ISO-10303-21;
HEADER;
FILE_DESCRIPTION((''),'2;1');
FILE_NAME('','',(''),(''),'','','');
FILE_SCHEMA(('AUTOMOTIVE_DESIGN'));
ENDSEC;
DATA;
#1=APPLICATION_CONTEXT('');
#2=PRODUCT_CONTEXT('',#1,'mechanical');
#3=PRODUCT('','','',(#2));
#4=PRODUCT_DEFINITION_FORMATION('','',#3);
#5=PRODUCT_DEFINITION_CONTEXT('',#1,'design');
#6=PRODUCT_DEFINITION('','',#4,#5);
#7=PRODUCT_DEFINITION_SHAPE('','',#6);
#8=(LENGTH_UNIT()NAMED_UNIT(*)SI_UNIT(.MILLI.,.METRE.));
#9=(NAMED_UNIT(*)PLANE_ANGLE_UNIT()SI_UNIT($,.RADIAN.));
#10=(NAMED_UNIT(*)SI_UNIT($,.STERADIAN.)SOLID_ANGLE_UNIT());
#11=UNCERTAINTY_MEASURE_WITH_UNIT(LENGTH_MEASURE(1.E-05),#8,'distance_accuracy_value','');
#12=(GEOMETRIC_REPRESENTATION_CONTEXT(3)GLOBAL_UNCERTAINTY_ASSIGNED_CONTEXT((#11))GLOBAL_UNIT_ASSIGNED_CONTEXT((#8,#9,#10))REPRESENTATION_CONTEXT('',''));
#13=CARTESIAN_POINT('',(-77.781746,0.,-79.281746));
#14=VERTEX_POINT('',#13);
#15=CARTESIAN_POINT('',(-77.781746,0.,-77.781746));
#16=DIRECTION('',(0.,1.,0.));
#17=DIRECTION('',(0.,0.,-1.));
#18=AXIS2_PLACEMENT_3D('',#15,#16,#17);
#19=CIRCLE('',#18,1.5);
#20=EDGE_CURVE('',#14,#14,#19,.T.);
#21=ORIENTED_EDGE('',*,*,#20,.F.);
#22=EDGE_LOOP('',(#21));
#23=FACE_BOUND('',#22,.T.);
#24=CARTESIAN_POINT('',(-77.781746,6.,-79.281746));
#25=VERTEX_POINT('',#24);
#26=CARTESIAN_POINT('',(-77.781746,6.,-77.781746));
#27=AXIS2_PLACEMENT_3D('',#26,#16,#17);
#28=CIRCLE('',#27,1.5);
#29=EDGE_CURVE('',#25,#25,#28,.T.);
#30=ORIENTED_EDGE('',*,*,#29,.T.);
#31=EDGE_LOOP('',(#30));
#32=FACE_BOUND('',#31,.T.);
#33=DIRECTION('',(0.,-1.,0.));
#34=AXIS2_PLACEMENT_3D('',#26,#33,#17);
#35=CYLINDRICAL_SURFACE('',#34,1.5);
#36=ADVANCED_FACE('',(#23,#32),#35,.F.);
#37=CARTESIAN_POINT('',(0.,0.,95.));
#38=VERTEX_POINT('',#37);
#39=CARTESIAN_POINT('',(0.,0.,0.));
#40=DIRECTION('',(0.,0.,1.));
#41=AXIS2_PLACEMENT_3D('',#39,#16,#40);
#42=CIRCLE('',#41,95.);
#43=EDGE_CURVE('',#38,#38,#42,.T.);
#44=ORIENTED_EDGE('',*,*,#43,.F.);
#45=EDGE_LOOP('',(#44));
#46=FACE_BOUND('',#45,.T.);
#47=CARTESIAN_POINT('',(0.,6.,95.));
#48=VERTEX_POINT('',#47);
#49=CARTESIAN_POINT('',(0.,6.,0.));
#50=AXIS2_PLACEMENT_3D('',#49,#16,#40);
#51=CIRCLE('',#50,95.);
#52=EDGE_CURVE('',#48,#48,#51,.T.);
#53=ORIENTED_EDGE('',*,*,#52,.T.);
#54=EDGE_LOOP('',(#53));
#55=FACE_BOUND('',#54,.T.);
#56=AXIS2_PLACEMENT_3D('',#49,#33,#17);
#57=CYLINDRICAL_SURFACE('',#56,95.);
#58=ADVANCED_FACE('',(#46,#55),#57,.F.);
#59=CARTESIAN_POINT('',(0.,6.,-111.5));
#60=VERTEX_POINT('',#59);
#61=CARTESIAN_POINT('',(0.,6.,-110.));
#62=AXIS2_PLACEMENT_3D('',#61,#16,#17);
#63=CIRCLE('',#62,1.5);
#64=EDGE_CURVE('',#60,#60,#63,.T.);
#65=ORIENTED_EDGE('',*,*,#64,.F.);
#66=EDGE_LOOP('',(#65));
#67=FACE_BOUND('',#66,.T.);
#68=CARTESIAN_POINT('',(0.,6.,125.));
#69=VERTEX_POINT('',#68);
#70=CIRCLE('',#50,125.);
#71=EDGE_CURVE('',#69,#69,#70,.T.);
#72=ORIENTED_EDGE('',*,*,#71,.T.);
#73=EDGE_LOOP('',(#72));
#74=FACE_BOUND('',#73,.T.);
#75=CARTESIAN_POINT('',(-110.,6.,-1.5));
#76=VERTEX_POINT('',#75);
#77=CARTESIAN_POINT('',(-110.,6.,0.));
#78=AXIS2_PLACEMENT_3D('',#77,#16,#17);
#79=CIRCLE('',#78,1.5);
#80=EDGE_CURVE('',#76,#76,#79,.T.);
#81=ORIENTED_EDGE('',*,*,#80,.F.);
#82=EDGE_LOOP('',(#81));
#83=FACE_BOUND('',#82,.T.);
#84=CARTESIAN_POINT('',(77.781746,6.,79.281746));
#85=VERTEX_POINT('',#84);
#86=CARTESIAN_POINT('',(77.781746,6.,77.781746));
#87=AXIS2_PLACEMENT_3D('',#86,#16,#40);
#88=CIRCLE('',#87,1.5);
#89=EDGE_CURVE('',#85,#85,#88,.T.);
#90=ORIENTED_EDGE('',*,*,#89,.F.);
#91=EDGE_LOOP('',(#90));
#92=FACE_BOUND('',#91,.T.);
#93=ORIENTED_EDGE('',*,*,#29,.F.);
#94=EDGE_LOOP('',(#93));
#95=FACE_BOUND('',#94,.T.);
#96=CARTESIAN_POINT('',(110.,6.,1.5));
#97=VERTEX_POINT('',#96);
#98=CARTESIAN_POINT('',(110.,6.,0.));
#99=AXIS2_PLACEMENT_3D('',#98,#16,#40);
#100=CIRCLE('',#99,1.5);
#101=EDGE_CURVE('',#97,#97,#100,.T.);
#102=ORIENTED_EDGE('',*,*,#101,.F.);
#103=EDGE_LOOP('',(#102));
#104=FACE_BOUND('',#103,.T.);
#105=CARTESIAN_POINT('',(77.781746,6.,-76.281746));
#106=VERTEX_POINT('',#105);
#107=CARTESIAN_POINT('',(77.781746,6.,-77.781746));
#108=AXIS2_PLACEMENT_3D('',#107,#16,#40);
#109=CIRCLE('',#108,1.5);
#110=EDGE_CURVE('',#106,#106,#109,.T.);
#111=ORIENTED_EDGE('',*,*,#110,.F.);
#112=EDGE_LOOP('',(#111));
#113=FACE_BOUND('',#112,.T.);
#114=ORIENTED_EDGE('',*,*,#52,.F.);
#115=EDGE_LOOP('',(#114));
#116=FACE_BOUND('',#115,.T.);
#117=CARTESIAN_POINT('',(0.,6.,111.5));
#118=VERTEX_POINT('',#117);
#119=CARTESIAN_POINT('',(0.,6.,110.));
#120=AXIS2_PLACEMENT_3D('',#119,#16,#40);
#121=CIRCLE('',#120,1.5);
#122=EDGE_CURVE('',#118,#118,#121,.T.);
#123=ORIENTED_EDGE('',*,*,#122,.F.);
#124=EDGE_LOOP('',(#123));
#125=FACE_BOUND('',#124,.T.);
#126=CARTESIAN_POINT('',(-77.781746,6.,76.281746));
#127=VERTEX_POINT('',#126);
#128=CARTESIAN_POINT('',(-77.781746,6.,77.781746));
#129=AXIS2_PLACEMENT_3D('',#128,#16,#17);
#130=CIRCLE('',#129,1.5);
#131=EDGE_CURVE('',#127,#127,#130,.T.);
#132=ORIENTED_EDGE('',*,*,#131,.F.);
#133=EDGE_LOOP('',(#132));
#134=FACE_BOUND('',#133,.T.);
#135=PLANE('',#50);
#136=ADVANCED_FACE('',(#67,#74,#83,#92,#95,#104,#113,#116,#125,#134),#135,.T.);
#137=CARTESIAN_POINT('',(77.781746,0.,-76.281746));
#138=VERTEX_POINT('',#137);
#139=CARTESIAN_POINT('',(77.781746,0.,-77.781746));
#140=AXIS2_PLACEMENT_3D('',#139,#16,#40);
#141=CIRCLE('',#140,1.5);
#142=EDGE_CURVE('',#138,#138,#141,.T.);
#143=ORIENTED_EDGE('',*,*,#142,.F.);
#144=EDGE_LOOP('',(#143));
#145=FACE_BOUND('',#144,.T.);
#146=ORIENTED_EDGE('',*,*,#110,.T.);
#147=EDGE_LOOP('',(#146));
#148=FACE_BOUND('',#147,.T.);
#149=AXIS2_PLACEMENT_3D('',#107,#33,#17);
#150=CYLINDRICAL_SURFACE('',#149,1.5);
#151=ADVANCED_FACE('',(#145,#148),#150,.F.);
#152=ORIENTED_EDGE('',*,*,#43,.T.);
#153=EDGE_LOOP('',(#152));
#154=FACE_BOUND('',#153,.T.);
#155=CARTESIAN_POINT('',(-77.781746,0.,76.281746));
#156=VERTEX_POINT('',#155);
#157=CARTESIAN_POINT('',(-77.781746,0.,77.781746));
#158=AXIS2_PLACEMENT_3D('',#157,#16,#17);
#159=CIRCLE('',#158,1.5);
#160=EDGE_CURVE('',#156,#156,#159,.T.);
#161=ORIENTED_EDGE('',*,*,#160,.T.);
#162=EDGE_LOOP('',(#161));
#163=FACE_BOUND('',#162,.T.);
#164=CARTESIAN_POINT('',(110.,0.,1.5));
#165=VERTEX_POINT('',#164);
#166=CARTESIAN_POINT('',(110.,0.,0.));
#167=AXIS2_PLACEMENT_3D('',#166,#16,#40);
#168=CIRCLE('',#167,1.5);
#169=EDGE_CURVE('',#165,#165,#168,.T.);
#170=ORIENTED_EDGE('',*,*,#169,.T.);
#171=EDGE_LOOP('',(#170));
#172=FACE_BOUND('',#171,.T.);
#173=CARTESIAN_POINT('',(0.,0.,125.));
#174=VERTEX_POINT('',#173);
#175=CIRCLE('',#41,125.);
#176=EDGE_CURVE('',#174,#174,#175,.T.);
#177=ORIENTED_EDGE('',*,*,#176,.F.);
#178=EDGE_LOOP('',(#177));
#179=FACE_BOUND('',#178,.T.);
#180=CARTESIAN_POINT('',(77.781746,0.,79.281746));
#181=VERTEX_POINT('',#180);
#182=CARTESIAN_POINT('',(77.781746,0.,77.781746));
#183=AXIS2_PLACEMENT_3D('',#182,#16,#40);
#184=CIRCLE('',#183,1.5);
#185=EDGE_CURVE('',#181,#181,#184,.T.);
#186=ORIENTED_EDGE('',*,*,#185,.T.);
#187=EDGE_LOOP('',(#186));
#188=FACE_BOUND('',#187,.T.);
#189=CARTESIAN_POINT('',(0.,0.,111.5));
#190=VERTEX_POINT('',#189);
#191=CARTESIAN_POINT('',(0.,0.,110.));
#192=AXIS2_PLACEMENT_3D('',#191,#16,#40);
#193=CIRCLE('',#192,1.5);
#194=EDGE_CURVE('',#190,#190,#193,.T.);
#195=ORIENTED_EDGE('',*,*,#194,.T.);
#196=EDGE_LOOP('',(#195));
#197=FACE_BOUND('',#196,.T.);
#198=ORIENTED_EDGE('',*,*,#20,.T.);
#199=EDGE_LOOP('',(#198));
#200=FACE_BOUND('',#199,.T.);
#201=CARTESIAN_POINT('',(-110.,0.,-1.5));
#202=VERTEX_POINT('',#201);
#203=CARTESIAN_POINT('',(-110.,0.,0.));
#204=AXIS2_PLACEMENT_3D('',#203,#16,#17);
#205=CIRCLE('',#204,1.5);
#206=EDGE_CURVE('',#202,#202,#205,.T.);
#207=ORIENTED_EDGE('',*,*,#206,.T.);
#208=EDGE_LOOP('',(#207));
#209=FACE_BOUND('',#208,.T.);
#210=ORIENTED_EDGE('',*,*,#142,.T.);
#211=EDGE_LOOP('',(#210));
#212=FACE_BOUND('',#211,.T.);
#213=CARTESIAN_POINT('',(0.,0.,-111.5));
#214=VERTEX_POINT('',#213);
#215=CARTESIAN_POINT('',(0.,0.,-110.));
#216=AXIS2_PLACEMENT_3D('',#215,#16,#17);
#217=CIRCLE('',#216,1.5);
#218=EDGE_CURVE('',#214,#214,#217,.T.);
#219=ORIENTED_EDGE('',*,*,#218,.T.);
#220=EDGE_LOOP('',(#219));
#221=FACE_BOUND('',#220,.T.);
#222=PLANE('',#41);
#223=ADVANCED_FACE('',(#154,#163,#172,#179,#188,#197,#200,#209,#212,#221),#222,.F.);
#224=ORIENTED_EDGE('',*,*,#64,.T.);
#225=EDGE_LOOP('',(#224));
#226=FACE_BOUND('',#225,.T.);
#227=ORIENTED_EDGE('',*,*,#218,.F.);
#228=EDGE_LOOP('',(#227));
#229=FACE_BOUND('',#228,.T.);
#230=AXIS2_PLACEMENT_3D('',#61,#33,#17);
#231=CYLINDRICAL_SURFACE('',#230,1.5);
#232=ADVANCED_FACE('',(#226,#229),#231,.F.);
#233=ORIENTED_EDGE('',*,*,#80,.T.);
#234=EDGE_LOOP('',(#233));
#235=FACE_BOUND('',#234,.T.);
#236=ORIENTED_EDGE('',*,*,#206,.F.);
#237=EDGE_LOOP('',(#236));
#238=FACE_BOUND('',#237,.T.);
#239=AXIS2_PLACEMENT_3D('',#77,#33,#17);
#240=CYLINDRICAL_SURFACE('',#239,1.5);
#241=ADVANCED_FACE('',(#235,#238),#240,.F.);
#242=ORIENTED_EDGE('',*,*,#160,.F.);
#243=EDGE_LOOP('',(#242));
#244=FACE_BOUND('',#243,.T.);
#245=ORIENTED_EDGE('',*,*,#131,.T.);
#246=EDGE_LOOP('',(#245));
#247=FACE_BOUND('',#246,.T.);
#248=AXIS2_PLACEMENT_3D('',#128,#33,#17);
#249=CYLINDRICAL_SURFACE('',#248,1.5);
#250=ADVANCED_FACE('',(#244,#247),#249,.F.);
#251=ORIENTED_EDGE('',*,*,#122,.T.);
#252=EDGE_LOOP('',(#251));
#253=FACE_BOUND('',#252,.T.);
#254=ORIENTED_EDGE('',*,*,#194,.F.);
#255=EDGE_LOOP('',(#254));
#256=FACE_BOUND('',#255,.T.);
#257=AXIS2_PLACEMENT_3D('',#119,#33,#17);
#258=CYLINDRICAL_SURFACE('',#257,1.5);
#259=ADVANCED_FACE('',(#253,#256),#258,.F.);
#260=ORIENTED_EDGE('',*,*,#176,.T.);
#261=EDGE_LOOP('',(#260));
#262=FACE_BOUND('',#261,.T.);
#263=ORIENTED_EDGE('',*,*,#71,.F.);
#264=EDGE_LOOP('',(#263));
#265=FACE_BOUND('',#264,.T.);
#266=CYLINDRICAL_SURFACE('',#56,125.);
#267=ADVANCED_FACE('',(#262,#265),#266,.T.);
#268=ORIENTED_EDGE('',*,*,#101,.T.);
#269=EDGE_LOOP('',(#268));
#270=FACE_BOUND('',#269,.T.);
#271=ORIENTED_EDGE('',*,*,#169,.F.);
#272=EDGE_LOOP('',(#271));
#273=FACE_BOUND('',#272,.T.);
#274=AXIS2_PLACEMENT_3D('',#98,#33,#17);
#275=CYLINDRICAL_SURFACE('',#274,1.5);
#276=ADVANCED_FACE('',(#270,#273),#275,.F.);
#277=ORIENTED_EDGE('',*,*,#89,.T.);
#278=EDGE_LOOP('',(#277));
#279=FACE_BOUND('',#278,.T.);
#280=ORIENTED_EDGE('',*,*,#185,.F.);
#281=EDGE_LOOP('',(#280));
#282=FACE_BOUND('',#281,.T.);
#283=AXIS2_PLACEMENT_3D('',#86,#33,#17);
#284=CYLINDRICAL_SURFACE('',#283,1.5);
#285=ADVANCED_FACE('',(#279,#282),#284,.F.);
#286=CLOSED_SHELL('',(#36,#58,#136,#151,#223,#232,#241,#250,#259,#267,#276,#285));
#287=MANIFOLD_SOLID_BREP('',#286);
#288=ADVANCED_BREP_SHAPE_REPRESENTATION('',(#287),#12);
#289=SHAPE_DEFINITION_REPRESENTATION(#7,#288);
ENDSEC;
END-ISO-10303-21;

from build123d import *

# Parameters (mm, degrees)
SKETCH1_R           = 125
SKETCH1_R_2         = 1.5
SKETCH1_R_3         = 95
BOSS_EXTRUDE1_DEPTH = 6


with BuildPart() as part:
    # Sketch1 → Boss-Extrude1 (new body)
    with BuildSketch(Plane(origin=(0, 0, 0), x_dir=(1, 0, 0), z_dir=(0, 1, 0))):
        Circle(SKETCH1_R)
        with Locations((0, -110)):
            Circle(SKETCH1_R_2, mode=Mode.SUBTRACT)
        with Locations((77.781745931, -77.781745931)):
            Circle(SKETCH1_R_2, mode=Mode.SUBTRACT)
        with Locations((110, 0)):
            Circle(SKETCH1_R_2, mode=Mode.SUBTRACT)
        with Locations((77.781745931, 77.781745931)):
            Circle(SKETCH1_R_2, mode=Mode.SUBTRACT)
        with Locations((0, 110)):
            Circle(SKETCH1_R_2, mode=Mode.SUBTRACT)
        with Locations((-77.781745931, 77.781745931)):
            Circle(SKETCH1_R_2, mode=Mode.SUBTRACT)
        with Locations((-110, 0)):
            Circle(SKETCH1_R_2, mode=Mode.SUBTRACT)
        with Locations((-77.781745931, -77.781745931)):
            Circle(SKETCH1_R_2, mode=Mode.SUBTRACT)
        Circle(SKETCH1_R_3, mode=Mode.SUBTRACT)
    extrude(amount=BOSS_EXTRUDE1_DEPTH)


solid = part.part
